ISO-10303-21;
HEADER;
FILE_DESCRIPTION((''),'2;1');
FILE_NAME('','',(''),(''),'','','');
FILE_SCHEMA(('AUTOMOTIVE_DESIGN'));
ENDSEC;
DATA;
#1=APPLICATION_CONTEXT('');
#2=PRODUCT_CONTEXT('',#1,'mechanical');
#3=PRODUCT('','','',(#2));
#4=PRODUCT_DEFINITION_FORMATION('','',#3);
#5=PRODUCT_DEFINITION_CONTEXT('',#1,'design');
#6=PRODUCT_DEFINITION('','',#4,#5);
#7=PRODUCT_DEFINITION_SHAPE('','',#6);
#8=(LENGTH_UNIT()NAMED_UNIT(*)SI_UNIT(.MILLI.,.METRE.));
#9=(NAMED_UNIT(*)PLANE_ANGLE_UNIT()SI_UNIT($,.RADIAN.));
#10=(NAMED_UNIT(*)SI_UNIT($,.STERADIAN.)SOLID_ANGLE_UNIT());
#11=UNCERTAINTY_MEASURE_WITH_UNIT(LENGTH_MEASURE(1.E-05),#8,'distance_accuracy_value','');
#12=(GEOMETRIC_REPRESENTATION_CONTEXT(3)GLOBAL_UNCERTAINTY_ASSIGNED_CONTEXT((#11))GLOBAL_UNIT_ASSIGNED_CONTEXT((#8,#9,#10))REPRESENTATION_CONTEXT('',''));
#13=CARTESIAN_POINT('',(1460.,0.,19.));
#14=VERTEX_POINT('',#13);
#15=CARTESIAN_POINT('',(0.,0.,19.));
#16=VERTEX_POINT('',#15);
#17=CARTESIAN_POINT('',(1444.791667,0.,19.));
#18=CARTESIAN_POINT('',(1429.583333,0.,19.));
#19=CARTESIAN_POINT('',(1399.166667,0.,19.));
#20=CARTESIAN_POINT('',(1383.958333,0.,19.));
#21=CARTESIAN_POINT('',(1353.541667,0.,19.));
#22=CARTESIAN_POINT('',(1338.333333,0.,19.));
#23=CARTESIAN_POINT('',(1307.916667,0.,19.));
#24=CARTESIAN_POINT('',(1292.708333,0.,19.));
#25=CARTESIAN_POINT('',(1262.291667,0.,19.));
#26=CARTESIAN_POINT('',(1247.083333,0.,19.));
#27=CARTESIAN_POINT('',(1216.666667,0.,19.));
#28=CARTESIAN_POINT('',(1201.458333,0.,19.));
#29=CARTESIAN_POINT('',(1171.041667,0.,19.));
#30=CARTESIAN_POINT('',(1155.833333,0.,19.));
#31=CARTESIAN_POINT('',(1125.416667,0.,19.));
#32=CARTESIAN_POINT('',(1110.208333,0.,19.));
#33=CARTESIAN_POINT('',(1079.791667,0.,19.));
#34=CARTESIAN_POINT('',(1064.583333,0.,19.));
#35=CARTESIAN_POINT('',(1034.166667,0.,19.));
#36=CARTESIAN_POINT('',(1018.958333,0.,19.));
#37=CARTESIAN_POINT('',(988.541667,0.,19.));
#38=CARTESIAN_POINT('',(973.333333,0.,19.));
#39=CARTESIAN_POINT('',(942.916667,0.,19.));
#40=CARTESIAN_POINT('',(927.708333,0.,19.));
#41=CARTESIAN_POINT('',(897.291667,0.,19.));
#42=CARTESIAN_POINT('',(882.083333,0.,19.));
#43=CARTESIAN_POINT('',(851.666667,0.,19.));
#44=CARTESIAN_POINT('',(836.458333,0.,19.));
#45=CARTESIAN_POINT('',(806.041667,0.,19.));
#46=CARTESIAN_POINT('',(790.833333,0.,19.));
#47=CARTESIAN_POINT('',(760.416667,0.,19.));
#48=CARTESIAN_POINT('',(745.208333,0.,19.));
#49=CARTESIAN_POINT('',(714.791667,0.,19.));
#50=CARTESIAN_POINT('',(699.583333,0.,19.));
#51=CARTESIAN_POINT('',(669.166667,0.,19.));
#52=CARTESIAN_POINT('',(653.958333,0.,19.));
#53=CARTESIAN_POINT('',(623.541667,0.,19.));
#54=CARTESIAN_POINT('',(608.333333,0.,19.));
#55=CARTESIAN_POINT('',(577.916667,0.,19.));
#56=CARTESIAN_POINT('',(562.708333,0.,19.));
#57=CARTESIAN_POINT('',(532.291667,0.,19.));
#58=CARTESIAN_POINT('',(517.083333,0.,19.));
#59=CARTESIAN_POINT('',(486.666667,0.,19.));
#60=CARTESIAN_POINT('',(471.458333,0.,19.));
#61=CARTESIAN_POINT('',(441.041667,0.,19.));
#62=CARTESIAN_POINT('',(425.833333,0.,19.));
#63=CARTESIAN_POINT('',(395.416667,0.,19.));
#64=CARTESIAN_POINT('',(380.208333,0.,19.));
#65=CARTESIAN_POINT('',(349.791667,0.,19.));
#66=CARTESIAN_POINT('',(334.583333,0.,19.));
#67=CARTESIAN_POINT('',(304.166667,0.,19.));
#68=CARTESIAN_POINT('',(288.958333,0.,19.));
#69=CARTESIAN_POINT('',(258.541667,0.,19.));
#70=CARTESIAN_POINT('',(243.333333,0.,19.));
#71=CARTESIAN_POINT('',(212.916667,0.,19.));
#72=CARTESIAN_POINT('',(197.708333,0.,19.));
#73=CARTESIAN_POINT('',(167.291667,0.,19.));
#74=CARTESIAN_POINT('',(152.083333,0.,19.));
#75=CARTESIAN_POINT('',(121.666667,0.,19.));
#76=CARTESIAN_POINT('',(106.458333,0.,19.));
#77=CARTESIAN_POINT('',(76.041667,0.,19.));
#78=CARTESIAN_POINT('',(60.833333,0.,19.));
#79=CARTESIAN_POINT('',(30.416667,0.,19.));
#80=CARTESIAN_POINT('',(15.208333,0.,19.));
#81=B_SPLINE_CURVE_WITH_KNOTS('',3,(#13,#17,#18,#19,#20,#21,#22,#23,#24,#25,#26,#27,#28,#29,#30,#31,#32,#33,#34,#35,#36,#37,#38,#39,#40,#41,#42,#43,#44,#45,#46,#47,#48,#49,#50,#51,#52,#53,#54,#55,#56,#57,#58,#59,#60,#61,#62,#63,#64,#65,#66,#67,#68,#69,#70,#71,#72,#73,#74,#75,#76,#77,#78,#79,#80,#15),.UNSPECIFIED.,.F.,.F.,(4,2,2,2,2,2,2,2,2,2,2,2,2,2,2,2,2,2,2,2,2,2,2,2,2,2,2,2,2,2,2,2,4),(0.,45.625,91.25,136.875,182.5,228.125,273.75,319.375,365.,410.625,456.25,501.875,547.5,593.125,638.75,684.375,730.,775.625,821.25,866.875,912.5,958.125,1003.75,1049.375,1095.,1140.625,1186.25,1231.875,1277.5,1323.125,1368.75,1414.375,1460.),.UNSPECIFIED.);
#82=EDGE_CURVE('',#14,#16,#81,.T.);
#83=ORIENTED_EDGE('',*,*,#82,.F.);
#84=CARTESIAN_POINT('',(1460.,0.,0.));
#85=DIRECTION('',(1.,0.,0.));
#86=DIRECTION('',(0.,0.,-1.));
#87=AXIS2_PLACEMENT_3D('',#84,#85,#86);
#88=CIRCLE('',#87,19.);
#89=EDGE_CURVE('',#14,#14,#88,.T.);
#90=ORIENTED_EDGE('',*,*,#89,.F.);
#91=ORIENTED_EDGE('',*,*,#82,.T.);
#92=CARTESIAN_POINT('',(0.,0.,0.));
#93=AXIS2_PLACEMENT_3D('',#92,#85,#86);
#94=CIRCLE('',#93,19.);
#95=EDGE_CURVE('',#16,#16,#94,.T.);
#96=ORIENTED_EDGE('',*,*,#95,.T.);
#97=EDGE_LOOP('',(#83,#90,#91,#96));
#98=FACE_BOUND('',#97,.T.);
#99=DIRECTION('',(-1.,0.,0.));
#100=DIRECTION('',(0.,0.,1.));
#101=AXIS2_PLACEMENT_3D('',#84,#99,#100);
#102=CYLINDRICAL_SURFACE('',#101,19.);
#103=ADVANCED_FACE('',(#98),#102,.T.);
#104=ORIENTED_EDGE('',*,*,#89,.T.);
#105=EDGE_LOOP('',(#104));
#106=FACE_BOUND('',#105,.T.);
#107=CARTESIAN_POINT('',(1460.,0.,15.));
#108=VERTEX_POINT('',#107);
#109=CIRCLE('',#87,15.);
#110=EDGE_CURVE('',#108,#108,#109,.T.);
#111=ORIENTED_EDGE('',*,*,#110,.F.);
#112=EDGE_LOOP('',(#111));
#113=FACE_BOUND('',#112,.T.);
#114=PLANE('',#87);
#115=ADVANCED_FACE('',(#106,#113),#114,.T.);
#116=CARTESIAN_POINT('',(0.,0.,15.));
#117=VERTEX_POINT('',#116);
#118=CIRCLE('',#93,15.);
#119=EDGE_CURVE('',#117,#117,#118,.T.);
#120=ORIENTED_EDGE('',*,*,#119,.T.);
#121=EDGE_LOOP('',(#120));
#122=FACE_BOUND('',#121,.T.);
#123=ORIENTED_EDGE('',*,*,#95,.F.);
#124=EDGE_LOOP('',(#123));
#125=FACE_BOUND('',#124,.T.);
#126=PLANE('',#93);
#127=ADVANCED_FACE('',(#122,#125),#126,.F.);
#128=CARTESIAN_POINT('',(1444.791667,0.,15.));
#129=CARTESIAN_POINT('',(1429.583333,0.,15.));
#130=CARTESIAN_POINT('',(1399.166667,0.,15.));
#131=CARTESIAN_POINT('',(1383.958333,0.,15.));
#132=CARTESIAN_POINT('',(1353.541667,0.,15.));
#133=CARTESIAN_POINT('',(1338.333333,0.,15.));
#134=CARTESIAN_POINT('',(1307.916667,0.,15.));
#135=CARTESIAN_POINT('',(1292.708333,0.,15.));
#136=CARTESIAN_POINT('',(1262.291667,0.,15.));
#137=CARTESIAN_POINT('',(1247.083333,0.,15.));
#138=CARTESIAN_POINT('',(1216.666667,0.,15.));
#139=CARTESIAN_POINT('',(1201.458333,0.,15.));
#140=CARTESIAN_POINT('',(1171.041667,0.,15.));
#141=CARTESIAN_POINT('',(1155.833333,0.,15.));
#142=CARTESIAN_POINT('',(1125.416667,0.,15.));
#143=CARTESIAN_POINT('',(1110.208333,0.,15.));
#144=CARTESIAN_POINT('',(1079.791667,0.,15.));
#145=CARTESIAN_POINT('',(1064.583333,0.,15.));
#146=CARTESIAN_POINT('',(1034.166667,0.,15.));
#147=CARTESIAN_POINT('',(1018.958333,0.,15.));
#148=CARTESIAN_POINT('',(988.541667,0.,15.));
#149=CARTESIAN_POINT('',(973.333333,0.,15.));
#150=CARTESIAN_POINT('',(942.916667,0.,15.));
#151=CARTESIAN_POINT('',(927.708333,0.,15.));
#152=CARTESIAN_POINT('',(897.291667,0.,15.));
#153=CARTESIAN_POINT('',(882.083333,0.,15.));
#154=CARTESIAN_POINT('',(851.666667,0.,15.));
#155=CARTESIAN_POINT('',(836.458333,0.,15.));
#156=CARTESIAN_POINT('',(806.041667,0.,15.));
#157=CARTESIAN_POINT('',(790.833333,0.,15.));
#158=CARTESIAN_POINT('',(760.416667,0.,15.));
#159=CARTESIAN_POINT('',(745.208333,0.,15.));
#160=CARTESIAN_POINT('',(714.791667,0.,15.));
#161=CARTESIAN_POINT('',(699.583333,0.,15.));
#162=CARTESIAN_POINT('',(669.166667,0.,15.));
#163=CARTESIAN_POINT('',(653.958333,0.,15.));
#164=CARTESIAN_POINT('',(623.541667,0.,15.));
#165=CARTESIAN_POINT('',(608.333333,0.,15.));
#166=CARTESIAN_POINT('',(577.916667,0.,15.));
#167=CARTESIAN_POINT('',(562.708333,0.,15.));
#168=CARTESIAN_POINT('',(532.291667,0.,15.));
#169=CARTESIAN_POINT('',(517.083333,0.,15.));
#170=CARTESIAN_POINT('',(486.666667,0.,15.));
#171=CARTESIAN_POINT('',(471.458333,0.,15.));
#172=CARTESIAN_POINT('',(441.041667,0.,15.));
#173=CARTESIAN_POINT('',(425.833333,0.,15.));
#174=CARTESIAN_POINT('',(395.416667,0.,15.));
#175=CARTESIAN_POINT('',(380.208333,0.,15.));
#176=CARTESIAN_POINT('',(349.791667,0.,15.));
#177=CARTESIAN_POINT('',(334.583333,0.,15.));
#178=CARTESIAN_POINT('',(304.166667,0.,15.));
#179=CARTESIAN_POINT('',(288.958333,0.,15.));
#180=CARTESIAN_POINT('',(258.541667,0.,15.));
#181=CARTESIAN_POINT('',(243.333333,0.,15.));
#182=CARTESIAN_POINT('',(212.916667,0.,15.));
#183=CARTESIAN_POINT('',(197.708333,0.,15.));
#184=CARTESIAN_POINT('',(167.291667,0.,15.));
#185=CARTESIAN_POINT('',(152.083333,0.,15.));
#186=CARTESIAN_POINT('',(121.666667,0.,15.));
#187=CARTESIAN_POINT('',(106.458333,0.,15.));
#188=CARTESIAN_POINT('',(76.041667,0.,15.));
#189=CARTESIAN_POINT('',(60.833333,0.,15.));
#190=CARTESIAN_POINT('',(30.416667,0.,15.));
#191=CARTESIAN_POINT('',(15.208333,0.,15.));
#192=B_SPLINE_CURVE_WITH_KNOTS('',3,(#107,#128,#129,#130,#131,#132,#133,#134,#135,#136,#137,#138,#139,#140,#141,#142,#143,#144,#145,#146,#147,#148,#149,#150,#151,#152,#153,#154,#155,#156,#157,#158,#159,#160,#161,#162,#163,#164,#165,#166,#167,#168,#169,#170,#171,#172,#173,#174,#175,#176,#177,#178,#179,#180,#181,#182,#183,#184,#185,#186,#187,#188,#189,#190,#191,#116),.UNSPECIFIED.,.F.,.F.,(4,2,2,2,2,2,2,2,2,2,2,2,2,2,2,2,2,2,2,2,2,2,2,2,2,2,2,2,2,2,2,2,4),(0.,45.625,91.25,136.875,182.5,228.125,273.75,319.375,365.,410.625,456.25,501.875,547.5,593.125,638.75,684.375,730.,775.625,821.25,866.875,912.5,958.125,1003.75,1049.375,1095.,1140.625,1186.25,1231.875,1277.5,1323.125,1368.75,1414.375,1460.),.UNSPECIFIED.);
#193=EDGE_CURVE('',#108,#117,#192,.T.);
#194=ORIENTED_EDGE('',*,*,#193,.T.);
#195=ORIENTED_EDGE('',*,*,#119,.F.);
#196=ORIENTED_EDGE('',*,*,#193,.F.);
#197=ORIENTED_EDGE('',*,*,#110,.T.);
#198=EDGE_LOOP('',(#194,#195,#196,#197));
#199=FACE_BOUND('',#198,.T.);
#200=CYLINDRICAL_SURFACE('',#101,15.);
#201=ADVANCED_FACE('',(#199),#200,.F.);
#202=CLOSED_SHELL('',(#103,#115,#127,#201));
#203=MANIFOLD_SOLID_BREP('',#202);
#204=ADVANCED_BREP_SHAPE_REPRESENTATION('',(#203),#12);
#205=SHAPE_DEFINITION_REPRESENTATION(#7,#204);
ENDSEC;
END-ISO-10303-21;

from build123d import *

# Parameters (mm, degrees)
CROQUIS1_R              = 19
CROQUIS1_R_2            = 15
SALIENTE_EXTRUIR1_DEPTH = 1460


with BuildPart() as part:
    # Croquis1 → Saliente-Extruir1 (new body)
    with BuildSketch(Plane(origin=(0, 0, 0), x_dir=(0, 0, -1), z_dir=(1, 0, 0))):
        with Locations(Location((0, 0, 0), (0, 0, 180))):
            Circle(CROQUIS1_R)
        with Locations(Location((0, 0, 0), (0, 0, 180))):
            Circle(CROQUIS1_R_2, mode=Mode.SUBTRACT)
    extrude(amount=SALIENTE_EXTRUIR1_DEPTH)


solid = part.part
